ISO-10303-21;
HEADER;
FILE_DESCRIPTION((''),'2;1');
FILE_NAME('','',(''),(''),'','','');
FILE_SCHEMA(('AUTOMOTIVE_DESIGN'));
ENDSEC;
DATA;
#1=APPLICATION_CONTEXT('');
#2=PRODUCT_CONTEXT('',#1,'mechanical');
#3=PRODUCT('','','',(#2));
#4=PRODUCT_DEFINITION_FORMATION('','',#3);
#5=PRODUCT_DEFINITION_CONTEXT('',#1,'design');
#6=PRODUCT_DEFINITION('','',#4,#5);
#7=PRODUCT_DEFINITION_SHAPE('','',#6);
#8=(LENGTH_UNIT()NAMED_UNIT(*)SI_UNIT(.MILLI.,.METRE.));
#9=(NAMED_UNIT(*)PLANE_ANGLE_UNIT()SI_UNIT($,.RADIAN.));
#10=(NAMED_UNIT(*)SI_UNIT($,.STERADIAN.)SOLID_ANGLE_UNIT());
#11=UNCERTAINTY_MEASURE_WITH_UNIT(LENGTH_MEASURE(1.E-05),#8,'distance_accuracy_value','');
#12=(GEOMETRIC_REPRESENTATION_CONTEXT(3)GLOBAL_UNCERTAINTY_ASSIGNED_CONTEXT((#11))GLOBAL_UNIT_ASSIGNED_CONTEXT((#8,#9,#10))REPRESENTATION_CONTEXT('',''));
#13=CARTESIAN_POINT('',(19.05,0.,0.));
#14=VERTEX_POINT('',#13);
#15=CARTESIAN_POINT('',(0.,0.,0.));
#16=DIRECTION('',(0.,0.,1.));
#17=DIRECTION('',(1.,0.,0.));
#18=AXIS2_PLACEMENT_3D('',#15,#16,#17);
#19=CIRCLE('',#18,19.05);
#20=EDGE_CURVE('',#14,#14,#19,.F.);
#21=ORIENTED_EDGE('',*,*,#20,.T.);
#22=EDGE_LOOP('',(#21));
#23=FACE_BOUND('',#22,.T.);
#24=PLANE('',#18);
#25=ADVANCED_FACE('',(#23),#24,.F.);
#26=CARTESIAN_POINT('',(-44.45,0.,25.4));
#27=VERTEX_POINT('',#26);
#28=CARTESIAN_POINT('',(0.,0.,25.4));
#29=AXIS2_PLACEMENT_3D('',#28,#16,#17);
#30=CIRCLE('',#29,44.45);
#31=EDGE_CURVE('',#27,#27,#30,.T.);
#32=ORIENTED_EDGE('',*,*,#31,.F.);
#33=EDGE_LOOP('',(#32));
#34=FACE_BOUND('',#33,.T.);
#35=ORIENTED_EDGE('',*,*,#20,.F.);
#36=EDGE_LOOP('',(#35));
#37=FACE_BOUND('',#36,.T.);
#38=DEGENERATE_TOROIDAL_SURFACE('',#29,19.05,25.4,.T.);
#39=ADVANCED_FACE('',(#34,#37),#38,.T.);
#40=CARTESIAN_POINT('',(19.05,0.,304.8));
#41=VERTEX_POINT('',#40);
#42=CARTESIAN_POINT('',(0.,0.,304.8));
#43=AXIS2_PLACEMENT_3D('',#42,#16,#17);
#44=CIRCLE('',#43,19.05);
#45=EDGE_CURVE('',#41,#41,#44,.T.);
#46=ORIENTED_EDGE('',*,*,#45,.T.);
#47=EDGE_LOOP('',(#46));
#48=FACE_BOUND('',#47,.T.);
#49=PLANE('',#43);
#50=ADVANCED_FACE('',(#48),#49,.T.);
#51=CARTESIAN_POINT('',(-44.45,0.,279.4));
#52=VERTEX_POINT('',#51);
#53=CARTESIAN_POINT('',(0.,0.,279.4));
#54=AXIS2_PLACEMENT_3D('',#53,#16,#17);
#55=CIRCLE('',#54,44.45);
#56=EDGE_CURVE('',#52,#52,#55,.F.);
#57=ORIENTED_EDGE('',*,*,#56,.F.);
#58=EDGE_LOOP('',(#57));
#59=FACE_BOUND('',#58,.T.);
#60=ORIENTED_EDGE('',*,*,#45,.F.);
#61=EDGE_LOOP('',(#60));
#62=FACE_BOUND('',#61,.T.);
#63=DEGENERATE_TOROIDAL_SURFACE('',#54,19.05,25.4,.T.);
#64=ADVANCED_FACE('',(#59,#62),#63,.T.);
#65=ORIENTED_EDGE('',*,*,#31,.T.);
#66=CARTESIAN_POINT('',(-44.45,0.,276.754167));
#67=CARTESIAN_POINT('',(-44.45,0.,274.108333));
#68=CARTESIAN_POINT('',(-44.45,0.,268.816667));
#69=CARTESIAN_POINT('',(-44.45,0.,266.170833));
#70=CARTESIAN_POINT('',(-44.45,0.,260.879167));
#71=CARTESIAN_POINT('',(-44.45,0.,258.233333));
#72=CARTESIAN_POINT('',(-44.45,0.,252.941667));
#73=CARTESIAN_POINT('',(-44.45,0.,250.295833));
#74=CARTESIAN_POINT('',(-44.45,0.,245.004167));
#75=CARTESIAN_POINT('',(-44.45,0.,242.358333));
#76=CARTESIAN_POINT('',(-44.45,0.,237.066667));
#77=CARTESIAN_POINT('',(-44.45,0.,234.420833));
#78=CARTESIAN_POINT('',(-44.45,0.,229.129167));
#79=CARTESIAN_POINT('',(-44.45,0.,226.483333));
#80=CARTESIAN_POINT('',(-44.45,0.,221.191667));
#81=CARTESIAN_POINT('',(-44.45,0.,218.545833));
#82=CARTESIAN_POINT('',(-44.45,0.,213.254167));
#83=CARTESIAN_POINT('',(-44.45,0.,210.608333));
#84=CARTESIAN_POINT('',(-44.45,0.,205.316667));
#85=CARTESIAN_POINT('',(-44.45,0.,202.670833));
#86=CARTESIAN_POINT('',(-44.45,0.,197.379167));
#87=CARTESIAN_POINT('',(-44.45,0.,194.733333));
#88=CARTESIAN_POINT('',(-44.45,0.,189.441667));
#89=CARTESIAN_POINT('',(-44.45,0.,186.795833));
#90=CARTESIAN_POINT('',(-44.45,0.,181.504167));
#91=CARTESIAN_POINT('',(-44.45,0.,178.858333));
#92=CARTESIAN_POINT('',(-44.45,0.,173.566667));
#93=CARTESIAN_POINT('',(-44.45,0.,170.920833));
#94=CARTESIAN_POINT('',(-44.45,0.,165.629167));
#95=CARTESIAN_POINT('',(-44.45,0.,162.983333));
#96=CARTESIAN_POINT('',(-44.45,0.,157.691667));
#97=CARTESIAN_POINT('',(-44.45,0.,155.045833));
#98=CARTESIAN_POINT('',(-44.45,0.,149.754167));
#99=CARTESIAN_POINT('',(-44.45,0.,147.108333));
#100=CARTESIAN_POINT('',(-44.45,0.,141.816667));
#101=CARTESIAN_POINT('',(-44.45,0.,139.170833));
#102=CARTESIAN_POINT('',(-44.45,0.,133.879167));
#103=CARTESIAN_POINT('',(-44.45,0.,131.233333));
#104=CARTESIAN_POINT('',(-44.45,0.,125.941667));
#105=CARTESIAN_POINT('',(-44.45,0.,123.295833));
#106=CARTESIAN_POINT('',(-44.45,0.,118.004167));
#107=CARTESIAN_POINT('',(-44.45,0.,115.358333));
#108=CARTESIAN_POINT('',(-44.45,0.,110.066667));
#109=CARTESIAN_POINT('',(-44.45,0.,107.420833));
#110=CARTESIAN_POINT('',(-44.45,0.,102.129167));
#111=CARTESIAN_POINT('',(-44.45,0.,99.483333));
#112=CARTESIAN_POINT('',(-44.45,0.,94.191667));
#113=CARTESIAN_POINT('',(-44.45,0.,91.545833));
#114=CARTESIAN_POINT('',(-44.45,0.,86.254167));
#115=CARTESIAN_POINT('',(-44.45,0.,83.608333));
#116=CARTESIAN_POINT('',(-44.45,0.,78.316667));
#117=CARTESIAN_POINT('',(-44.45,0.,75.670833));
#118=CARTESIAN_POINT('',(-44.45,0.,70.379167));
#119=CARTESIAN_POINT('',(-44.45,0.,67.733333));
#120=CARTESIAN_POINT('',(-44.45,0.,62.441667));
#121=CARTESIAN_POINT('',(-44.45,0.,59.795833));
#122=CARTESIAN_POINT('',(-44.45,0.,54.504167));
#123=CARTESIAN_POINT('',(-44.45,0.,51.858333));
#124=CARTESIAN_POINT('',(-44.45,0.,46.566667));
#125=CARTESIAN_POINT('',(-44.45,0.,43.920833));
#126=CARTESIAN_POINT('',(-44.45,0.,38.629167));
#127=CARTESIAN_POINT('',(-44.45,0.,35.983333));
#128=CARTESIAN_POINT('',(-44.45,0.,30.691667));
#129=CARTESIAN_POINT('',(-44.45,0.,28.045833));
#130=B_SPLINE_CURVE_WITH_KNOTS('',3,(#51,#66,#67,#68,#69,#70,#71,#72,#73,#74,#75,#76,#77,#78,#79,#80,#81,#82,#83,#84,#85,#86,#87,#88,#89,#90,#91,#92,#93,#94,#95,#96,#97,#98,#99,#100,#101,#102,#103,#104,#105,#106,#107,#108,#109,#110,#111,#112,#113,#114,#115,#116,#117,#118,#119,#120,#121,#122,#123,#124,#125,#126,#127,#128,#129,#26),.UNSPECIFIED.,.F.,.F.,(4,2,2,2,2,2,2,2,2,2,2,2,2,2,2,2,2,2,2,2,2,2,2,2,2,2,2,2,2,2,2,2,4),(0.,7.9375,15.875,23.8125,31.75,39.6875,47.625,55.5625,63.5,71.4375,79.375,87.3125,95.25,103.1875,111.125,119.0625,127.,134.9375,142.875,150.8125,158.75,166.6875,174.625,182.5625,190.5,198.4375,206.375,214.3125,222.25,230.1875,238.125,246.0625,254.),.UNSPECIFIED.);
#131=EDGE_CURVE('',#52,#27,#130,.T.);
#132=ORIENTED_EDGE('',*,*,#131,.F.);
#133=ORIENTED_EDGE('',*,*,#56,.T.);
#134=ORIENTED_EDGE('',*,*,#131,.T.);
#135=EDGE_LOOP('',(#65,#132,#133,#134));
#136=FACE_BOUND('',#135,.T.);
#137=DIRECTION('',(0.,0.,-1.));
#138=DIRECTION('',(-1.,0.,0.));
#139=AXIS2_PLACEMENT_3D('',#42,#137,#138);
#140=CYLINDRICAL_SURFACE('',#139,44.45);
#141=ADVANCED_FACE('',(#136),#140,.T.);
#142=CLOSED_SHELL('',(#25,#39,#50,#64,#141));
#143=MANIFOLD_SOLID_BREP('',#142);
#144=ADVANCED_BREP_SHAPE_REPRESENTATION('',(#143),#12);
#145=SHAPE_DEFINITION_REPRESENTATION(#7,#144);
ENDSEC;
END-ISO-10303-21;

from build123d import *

# Parameters (mm, degrees)
SKETCH2_R           = 44.45
BOSS_EXTRUDE1_DEPTH = 304.8
FILLET2_R           = 25.4


with BuildPart() as part:
    # Sketch2 → Boss-Extrude1 (new body)
    with BuildSketch(Plane.XY):
        with Locations(Location((0, 0, 0), (0, 0, 180))):
            Circle(SKETCH2_R)
    extrude(amount=BOSS_EXTRUDE1_DEPTH)

    # Fillet2
    fillet2_edges = [part.edges().sort_by_distance(p)[0] for p in [
        (44.45, 0, 0),
        (44.45, 0, 304.8),
    ]]
    fillet(fillet2_edges, radius=FILLET2_R)


solid = part.part
